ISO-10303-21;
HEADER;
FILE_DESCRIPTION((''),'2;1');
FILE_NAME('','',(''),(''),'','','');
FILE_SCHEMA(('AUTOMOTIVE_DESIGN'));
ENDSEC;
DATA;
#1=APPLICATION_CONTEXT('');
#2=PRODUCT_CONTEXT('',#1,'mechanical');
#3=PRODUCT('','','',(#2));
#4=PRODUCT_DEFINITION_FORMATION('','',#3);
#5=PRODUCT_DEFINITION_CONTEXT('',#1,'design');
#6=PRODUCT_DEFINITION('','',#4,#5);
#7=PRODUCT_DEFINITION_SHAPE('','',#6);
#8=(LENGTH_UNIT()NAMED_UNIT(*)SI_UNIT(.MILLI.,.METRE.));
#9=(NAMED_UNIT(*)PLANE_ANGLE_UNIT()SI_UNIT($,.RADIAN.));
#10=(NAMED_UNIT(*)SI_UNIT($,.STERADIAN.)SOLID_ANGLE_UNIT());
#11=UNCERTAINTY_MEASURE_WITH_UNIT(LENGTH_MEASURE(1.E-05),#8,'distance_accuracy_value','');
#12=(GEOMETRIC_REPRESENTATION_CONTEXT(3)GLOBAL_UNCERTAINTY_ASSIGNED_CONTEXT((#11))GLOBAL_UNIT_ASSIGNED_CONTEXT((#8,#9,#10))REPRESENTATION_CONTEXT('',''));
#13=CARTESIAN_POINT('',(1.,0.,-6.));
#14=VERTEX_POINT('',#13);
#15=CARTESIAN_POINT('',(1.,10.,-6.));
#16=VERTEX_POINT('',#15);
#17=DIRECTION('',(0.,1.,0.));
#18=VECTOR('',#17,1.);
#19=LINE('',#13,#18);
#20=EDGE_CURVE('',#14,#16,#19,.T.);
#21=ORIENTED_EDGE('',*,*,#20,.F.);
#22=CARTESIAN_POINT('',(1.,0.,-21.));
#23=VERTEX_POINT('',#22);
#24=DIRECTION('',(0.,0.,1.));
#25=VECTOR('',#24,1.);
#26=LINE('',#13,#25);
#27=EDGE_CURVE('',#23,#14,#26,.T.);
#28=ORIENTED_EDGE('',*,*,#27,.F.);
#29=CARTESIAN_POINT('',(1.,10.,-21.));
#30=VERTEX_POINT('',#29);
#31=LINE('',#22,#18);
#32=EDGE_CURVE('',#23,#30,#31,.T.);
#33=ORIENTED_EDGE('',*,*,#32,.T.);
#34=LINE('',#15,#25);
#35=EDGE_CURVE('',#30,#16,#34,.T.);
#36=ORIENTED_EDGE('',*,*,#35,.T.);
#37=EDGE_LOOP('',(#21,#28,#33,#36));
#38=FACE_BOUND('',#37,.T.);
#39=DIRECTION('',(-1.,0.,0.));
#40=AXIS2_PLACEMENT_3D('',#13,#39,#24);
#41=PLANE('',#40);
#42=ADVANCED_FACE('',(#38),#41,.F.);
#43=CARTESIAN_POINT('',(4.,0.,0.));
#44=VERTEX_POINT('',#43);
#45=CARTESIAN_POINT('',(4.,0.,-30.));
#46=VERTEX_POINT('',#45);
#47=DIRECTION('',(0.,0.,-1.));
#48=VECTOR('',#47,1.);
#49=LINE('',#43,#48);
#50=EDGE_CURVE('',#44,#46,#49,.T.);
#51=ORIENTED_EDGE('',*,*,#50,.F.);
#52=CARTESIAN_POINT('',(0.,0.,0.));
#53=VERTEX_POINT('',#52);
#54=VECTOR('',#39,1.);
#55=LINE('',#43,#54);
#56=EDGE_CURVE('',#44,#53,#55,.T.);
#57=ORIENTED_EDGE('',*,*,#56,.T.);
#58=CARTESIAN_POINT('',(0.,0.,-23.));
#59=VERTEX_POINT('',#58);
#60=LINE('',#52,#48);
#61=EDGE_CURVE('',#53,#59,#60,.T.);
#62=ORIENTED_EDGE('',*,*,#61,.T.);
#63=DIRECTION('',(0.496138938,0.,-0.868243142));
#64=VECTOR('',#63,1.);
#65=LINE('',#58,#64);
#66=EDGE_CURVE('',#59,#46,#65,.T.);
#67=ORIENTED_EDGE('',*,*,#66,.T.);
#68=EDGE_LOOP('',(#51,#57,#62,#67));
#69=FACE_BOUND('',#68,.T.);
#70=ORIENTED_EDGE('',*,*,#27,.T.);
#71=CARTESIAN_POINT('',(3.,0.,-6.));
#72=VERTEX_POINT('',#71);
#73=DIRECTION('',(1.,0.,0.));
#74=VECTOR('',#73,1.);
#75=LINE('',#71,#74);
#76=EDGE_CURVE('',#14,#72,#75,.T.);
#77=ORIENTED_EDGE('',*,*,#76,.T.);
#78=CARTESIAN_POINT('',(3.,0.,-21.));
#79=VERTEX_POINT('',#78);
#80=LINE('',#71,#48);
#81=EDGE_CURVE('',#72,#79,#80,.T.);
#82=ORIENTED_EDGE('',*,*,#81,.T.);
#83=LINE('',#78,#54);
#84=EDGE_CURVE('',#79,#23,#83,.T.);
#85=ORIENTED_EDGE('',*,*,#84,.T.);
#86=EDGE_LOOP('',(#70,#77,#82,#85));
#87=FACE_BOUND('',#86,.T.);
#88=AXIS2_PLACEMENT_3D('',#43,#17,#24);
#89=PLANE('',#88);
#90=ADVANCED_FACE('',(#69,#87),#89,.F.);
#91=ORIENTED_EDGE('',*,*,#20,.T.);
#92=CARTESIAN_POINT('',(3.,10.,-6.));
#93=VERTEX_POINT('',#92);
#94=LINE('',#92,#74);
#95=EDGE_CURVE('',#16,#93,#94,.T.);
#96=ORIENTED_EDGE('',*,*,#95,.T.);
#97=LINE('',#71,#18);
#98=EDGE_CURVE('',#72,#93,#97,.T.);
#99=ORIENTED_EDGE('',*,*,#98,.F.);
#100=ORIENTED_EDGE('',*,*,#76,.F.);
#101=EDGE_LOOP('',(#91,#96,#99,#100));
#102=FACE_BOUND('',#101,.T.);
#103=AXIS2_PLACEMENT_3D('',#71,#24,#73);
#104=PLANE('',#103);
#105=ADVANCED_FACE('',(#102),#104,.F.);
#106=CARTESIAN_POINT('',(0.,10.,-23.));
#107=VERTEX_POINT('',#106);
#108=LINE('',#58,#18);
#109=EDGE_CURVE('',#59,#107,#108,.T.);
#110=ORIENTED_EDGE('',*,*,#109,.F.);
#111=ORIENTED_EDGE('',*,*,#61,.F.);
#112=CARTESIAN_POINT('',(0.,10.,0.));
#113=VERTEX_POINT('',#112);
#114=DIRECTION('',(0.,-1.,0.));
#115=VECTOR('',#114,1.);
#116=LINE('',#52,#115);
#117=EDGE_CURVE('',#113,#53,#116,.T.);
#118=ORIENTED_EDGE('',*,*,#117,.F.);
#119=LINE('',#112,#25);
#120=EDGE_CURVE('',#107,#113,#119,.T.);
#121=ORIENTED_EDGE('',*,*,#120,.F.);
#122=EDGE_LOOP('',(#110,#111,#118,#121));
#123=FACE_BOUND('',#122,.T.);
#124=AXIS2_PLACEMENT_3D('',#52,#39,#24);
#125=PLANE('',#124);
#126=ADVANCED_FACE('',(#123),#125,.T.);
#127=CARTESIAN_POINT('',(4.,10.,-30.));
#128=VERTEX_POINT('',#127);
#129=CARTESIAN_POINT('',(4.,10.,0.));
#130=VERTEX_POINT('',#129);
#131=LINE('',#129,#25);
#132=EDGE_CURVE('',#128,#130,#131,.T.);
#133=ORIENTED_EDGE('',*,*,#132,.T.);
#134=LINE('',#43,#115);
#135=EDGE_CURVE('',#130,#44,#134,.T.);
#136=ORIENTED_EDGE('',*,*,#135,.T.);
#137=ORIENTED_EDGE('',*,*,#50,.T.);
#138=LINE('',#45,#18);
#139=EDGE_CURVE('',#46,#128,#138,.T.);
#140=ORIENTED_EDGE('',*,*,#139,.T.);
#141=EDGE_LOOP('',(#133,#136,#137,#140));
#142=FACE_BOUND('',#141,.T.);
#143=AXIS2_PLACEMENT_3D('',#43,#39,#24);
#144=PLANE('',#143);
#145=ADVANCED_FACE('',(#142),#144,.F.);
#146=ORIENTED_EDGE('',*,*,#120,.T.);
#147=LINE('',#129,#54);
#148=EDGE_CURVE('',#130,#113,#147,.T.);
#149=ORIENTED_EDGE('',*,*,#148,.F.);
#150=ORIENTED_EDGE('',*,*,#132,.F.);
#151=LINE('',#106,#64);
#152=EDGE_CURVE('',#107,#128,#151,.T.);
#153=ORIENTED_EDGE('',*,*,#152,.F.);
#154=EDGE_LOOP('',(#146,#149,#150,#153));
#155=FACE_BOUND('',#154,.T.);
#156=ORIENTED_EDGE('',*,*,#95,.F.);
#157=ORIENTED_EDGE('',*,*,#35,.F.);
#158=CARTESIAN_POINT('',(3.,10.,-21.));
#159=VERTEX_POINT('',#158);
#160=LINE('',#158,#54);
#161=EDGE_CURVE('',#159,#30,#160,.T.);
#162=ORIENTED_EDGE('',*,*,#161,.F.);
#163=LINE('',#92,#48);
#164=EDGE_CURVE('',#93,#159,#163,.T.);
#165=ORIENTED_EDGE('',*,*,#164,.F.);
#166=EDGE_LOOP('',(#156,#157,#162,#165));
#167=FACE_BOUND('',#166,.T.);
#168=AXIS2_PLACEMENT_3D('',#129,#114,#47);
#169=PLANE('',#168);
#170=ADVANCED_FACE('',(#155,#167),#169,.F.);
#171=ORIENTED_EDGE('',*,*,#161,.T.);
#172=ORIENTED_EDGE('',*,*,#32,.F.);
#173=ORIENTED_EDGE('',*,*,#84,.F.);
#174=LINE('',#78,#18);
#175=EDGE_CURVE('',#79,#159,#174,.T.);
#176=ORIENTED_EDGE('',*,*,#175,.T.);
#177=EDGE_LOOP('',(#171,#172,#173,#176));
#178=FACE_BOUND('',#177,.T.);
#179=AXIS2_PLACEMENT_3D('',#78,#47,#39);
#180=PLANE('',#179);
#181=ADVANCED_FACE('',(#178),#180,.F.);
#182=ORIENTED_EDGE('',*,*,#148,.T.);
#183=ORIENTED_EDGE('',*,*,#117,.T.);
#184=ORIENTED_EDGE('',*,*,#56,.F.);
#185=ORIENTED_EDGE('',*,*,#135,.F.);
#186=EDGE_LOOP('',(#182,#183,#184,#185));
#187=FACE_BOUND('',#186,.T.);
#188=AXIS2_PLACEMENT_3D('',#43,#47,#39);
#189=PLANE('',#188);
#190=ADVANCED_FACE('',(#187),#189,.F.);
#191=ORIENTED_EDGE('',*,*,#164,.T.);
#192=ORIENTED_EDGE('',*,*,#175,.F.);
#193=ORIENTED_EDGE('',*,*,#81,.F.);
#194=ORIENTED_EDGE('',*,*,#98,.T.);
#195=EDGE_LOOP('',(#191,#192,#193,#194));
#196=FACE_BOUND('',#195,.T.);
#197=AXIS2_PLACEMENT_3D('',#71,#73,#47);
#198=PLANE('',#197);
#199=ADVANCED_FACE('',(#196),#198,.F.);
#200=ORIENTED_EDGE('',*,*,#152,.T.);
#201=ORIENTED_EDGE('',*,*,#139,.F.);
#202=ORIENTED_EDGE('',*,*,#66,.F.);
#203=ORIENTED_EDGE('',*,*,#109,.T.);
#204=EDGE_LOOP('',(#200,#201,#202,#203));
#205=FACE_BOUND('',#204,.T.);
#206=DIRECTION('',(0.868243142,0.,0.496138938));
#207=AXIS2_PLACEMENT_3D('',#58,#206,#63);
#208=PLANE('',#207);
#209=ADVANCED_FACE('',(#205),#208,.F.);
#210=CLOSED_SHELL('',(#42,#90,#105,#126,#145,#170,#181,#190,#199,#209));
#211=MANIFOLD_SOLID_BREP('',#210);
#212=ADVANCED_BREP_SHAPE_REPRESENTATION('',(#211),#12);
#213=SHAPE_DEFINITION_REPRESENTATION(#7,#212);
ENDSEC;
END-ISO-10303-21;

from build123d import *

# Parameters (mm, degrees)
SKETCH_1_W          = 30
SKETCH_1_H          = 10
EXTRUDE_1_DEPTH     = 4
SKETCH_2_W          = 2
SKETCH_2_H          = 15
CUT_EXTRUDE_1_DEPTH = 32.874754901
CUT_EXTRUDE_2_DEPTH = 32.874754901


with BuildPart() as part:
    # Эскиз1 → Бобышка-Вытянуть1 (new body)
    with BuildSketch(Plane(origin=(0, 0, 0), x_dir=(0, 0, -1), z_dir=(1, 0, 0))):
        with Locations((15, 5)):
            Rectangle(SKETCH_1_W, SKETCH_1_H)
    extrude(amount=EXTRUDE_1_DEPTH)

    # Эскиз2 → Вырез-Вытянуть1 (cut, through all)
    with BuildSketch(Plane(origin=(0, 10, 0), x_dir=(1, 0, 0), z_dir=(0, 1, 0))):
        with Locations((2, 13.5)):
            Rectangle(SKETCH_2_W, SKETCH_2_H)
    extrude(amount=-CUT_EXTRUDE_1_DEPTH, mode=Mode.SUBTRACT)

    # Эскиз3 → Вырез-Вытянуть2 (cut, through all)
    with BuildSketch(Plane(origin=(0, 10, 0), x_dir=(1, 0, 0), z_dir=(0, 1, 0))):
        Polygon((0, 23), (0, 30), (4, 30), align=None)
    extrude(amount=-CUT_EXTRUDE_2_DEPTH, mode=Mode.SUBTRACT)


solid = part.part
